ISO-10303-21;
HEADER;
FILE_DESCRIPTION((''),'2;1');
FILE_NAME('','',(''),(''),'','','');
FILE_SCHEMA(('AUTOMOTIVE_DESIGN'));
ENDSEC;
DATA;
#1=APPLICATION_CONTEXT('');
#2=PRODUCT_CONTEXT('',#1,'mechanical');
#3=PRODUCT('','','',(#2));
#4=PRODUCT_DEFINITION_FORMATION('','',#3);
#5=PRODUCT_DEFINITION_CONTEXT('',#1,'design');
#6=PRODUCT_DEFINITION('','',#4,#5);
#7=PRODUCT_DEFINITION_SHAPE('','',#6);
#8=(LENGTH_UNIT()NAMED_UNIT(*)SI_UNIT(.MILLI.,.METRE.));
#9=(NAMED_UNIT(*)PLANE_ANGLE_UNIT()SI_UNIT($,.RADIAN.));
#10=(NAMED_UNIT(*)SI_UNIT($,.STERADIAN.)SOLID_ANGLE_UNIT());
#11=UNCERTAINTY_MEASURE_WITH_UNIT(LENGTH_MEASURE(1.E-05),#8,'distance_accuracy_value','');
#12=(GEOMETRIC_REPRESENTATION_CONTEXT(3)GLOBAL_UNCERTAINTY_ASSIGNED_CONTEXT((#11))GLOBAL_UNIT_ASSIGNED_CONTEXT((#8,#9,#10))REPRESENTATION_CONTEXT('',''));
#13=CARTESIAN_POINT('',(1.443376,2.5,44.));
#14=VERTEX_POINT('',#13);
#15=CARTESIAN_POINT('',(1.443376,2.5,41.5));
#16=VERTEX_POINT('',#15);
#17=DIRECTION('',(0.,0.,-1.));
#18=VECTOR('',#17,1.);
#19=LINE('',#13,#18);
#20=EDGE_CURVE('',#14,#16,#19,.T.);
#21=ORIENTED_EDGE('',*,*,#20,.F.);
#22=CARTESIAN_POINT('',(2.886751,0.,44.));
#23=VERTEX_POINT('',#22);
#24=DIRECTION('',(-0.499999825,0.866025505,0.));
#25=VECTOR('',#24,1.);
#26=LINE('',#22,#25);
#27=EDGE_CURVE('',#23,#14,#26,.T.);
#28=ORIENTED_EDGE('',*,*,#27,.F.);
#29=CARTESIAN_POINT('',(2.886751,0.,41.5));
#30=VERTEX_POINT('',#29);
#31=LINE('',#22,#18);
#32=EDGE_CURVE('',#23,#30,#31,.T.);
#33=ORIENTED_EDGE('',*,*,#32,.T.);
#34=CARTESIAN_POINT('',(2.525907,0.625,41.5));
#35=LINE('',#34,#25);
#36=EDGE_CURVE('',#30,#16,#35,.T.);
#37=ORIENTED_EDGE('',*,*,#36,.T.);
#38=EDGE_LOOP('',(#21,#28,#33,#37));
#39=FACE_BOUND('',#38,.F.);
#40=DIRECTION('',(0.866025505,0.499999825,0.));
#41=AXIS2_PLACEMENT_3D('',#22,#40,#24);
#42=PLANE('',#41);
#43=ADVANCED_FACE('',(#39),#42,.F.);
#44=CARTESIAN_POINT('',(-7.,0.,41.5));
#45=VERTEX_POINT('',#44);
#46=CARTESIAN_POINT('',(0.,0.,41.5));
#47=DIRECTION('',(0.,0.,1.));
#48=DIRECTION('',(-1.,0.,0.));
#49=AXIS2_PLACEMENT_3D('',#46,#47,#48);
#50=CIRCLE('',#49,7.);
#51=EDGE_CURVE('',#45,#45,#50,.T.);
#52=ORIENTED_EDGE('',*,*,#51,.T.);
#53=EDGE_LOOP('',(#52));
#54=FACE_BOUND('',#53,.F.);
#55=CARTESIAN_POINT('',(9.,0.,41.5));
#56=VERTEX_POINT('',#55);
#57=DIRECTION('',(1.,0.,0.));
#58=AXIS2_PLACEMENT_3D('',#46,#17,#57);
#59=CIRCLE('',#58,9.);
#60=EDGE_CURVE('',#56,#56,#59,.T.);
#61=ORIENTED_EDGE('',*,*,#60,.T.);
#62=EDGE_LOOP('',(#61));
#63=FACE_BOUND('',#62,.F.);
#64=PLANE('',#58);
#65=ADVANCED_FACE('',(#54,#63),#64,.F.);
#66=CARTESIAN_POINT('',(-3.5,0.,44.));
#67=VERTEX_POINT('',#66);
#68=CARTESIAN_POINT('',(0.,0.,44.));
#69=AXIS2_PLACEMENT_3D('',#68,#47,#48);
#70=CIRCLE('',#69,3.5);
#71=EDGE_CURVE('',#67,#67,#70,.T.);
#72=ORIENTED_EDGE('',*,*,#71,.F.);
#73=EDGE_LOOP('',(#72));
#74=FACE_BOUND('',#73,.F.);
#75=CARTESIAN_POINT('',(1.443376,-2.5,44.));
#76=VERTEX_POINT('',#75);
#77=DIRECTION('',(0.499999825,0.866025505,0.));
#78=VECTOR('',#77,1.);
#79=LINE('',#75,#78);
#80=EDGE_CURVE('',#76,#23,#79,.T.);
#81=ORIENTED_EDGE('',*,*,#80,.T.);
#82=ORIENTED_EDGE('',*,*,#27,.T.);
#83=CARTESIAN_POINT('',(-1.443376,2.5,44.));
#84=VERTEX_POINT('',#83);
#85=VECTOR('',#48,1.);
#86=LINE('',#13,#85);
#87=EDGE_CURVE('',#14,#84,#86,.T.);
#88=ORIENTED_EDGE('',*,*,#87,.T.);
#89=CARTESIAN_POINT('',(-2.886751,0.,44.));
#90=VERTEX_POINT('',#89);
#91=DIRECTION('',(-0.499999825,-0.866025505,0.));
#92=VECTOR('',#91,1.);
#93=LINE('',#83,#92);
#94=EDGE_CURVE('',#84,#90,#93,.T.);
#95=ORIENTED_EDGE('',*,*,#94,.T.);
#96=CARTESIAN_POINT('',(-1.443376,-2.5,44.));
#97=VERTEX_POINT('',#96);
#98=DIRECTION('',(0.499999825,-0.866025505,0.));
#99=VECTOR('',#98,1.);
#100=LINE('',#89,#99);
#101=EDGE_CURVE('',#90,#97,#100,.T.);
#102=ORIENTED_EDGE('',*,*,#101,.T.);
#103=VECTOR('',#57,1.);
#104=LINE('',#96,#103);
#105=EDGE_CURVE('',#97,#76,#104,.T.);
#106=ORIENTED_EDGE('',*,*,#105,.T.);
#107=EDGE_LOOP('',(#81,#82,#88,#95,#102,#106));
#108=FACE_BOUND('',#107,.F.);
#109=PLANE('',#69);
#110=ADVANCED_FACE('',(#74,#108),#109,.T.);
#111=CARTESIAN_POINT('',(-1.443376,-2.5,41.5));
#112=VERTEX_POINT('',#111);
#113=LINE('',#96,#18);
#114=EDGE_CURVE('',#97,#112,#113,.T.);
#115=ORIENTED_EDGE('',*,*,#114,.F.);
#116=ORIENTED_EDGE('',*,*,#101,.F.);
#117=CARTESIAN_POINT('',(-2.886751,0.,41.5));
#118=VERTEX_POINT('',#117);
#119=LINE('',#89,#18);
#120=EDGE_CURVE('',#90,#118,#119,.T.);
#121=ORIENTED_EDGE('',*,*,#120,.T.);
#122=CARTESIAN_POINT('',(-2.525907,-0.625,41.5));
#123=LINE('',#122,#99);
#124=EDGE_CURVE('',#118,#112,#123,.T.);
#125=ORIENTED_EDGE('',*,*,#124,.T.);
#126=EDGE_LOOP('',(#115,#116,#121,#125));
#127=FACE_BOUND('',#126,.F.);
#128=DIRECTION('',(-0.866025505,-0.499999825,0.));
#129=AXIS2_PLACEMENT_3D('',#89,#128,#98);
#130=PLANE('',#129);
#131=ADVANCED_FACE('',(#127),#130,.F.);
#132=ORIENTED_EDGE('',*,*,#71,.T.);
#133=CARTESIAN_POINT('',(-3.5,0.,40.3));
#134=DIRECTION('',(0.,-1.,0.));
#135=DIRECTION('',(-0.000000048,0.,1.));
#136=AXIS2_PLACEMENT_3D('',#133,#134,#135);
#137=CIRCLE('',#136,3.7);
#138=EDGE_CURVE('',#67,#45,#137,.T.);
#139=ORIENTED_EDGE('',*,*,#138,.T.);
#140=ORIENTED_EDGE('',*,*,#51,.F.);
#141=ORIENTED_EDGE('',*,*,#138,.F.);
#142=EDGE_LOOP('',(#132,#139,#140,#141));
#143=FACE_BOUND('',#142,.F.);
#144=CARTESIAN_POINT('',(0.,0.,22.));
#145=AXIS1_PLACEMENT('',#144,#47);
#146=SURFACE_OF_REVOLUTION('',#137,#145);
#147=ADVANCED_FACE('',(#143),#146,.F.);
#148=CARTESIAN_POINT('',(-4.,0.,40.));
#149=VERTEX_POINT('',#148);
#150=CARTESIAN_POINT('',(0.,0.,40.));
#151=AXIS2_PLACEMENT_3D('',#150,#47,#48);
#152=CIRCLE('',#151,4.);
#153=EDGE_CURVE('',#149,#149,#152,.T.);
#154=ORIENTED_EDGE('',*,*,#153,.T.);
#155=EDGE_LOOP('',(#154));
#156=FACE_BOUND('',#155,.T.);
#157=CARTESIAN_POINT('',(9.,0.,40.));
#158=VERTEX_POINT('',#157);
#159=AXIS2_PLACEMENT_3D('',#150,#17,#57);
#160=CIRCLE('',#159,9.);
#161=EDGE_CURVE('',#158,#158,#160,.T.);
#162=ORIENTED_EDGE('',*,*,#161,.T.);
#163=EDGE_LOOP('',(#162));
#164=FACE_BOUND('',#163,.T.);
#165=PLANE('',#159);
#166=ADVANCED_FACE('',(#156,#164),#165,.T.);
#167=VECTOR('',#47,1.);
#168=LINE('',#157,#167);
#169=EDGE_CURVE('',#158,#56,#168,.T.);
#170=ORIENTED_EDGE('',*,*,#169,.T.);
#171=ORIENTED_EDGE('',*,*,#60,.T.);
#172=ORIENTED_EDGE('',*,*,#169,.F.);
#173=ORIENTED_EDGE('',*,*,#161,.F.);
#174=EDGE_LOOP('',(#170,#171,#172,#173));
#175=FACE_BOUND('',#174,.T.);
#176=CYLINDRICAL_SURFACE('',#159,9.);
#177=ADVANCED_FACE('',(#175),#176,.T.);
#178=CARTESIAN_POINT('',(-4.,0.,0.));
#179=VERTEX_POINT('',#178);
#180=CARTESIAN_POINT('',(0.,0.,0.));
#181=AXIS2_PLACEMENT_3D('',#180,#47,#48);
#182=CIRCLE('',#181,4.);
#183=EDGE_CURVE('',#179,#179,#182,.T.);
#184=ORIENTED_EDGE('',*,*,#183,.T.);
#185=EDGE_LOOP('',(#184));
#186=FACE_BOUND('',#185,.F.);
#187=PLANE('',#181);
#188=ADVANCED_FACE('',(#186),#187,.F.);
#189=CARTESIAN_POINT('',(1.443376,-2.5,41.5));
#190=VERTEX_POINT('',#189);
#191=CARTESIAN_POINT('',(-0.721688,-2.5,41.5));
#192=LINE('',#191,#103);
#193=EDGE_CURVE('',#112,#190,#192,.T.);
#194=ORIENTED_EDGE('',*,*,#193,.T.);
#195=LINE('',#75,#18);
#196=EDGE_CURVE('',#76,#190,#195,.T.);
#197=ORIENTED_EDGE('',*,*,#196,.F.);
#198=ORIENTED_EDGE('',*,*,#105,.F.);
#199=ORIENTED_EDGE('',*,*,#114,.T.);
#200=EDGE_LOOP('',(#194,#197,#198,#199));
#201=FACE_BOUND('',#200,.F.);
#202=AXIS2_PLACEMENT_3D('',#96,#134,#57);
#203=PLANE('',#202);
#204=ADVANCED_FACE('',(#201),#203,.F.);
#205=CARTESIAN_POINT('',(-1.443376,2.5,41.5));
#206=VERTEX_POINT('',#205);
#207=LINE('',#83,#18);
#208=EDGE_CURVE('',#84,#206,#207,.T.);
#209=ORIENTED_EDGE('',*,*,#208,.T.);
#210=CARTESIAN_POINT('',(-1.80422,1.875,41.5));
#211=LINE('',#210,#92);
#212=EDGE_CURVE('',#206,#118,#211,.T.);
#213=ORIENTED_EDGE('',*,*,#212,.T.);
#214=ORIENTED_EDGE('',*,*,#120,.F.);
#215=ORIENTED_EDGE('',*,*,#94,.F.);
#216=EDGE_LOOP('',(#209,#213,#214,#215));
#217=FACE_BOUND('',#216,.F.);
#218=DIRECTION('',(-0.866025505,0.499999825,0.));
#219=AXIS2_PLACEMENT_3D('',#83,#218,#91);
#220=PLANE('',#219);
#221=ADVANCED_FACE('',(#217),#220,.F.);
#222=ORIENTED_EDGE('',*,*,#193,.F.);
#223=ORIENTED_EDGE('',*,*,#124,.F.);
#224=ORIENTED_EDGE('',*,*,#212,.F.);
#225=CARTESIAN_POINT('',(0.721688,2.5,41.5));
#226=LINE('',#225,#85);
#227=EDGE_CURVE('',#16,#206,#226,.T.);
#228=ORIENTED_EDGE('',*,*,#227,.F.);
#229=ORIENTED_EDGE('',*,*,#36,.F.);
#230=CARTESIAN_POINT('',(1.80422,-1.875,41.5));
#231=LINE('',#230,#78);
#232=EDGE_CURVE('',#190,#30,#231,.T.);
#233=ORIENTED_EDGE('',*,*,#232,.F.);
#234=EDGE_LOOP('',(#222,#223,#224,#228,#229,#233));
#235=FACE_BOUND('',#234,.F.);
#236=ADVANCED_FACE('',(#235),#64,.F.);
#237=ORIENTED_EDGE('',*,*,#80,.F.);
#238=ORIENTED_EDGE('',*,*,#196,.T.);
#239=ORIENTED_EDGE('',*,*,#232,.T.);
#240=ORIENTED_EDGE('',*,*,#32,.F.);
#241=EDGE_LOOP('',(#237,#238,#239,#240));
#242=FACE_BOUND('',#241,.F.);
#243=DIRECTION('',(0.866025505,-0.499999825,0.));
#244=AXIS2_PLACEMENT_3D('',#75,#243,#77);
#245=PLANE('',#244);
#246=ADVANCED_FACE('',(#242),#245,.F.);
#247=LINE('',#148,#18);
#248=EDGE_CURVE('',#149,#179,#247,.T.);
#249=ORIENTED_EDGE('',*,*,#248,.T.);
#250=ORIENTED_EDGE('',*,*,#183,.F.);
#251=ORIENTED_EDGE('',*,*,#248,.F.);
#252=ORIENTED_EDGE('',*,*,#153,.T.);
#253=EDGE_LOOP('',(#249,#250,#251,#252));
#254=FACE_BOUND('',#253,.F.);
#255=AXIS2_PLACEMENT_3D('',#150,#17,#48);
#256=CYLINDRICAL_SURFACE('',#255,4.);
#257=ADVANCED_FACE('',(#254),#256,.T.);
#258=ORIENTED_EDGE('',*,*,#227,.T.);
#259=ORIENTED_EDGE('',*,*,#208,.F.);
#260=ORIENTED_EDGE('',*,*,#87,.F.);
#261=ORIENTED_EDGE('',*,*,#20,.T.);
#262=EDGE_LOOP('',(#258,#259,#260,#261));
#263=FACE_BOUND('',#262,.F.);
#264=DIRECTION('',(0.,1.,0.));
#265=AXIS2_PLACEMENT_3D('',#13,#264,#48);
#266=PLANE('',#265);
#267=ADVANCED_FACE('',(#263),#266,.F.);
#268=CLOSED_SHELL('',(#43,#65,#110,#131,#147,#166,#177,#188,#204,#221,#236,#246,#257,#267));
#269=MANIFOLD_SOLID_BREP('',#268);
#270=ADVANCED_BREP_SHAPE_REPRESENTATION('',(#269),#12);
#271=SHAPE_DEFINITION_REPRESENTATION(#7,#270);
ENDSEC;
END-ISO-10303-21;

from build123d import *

# Parameters (mm, degrees)
F3_DEPTH = 3
F4_R     = 9
F5_DEPTH = 1.5


with BuildPart() as f1:
    # F0 (on Front) → F1 (revolve)
    with BuildSketch(Plane.XZ):
        with BuildLine():
            Line((-4, 0), (0, 0))
            Line((0, 0), (0, 44))
            Line((0, 44), (-3.5, 44))
            ThreePointArc((-3.5, 44), (-5.650581, 43.310814), (-7, 41.5))
            Line((-7, 41.5), (-7, 40))
            Line((-7, 40), (-4, 40))
            Line((-4, 40), (-4, 0))
        make_face()
    revolve(axis=Axis((0, 0, 22), (0, 0, 1)))

    # F2 (on face) → F3 (cut)
    with BuildSketch(Plane.XY.offset(44)):
        Polygon((1.443376, 2.5), (-1.443376, 2.5), (-2.886751, 0), (-1.443376, -2.5), (1.443376, -2.5), (2.886751, 0), align=None)
    extrude(amount=-F3_DEPTH, mode=Mode.SUBTRACT)

    # F4 (on face) → F5 (join)
    with BuildSketch(Plane(origin=(0, 0, 40), x_dir=(1, 0, 0), z_dir=(0, 0, -1))):
        Circle(F4_R)
    extrude(amount=-F5_DEPTH)


solid = f1.part
